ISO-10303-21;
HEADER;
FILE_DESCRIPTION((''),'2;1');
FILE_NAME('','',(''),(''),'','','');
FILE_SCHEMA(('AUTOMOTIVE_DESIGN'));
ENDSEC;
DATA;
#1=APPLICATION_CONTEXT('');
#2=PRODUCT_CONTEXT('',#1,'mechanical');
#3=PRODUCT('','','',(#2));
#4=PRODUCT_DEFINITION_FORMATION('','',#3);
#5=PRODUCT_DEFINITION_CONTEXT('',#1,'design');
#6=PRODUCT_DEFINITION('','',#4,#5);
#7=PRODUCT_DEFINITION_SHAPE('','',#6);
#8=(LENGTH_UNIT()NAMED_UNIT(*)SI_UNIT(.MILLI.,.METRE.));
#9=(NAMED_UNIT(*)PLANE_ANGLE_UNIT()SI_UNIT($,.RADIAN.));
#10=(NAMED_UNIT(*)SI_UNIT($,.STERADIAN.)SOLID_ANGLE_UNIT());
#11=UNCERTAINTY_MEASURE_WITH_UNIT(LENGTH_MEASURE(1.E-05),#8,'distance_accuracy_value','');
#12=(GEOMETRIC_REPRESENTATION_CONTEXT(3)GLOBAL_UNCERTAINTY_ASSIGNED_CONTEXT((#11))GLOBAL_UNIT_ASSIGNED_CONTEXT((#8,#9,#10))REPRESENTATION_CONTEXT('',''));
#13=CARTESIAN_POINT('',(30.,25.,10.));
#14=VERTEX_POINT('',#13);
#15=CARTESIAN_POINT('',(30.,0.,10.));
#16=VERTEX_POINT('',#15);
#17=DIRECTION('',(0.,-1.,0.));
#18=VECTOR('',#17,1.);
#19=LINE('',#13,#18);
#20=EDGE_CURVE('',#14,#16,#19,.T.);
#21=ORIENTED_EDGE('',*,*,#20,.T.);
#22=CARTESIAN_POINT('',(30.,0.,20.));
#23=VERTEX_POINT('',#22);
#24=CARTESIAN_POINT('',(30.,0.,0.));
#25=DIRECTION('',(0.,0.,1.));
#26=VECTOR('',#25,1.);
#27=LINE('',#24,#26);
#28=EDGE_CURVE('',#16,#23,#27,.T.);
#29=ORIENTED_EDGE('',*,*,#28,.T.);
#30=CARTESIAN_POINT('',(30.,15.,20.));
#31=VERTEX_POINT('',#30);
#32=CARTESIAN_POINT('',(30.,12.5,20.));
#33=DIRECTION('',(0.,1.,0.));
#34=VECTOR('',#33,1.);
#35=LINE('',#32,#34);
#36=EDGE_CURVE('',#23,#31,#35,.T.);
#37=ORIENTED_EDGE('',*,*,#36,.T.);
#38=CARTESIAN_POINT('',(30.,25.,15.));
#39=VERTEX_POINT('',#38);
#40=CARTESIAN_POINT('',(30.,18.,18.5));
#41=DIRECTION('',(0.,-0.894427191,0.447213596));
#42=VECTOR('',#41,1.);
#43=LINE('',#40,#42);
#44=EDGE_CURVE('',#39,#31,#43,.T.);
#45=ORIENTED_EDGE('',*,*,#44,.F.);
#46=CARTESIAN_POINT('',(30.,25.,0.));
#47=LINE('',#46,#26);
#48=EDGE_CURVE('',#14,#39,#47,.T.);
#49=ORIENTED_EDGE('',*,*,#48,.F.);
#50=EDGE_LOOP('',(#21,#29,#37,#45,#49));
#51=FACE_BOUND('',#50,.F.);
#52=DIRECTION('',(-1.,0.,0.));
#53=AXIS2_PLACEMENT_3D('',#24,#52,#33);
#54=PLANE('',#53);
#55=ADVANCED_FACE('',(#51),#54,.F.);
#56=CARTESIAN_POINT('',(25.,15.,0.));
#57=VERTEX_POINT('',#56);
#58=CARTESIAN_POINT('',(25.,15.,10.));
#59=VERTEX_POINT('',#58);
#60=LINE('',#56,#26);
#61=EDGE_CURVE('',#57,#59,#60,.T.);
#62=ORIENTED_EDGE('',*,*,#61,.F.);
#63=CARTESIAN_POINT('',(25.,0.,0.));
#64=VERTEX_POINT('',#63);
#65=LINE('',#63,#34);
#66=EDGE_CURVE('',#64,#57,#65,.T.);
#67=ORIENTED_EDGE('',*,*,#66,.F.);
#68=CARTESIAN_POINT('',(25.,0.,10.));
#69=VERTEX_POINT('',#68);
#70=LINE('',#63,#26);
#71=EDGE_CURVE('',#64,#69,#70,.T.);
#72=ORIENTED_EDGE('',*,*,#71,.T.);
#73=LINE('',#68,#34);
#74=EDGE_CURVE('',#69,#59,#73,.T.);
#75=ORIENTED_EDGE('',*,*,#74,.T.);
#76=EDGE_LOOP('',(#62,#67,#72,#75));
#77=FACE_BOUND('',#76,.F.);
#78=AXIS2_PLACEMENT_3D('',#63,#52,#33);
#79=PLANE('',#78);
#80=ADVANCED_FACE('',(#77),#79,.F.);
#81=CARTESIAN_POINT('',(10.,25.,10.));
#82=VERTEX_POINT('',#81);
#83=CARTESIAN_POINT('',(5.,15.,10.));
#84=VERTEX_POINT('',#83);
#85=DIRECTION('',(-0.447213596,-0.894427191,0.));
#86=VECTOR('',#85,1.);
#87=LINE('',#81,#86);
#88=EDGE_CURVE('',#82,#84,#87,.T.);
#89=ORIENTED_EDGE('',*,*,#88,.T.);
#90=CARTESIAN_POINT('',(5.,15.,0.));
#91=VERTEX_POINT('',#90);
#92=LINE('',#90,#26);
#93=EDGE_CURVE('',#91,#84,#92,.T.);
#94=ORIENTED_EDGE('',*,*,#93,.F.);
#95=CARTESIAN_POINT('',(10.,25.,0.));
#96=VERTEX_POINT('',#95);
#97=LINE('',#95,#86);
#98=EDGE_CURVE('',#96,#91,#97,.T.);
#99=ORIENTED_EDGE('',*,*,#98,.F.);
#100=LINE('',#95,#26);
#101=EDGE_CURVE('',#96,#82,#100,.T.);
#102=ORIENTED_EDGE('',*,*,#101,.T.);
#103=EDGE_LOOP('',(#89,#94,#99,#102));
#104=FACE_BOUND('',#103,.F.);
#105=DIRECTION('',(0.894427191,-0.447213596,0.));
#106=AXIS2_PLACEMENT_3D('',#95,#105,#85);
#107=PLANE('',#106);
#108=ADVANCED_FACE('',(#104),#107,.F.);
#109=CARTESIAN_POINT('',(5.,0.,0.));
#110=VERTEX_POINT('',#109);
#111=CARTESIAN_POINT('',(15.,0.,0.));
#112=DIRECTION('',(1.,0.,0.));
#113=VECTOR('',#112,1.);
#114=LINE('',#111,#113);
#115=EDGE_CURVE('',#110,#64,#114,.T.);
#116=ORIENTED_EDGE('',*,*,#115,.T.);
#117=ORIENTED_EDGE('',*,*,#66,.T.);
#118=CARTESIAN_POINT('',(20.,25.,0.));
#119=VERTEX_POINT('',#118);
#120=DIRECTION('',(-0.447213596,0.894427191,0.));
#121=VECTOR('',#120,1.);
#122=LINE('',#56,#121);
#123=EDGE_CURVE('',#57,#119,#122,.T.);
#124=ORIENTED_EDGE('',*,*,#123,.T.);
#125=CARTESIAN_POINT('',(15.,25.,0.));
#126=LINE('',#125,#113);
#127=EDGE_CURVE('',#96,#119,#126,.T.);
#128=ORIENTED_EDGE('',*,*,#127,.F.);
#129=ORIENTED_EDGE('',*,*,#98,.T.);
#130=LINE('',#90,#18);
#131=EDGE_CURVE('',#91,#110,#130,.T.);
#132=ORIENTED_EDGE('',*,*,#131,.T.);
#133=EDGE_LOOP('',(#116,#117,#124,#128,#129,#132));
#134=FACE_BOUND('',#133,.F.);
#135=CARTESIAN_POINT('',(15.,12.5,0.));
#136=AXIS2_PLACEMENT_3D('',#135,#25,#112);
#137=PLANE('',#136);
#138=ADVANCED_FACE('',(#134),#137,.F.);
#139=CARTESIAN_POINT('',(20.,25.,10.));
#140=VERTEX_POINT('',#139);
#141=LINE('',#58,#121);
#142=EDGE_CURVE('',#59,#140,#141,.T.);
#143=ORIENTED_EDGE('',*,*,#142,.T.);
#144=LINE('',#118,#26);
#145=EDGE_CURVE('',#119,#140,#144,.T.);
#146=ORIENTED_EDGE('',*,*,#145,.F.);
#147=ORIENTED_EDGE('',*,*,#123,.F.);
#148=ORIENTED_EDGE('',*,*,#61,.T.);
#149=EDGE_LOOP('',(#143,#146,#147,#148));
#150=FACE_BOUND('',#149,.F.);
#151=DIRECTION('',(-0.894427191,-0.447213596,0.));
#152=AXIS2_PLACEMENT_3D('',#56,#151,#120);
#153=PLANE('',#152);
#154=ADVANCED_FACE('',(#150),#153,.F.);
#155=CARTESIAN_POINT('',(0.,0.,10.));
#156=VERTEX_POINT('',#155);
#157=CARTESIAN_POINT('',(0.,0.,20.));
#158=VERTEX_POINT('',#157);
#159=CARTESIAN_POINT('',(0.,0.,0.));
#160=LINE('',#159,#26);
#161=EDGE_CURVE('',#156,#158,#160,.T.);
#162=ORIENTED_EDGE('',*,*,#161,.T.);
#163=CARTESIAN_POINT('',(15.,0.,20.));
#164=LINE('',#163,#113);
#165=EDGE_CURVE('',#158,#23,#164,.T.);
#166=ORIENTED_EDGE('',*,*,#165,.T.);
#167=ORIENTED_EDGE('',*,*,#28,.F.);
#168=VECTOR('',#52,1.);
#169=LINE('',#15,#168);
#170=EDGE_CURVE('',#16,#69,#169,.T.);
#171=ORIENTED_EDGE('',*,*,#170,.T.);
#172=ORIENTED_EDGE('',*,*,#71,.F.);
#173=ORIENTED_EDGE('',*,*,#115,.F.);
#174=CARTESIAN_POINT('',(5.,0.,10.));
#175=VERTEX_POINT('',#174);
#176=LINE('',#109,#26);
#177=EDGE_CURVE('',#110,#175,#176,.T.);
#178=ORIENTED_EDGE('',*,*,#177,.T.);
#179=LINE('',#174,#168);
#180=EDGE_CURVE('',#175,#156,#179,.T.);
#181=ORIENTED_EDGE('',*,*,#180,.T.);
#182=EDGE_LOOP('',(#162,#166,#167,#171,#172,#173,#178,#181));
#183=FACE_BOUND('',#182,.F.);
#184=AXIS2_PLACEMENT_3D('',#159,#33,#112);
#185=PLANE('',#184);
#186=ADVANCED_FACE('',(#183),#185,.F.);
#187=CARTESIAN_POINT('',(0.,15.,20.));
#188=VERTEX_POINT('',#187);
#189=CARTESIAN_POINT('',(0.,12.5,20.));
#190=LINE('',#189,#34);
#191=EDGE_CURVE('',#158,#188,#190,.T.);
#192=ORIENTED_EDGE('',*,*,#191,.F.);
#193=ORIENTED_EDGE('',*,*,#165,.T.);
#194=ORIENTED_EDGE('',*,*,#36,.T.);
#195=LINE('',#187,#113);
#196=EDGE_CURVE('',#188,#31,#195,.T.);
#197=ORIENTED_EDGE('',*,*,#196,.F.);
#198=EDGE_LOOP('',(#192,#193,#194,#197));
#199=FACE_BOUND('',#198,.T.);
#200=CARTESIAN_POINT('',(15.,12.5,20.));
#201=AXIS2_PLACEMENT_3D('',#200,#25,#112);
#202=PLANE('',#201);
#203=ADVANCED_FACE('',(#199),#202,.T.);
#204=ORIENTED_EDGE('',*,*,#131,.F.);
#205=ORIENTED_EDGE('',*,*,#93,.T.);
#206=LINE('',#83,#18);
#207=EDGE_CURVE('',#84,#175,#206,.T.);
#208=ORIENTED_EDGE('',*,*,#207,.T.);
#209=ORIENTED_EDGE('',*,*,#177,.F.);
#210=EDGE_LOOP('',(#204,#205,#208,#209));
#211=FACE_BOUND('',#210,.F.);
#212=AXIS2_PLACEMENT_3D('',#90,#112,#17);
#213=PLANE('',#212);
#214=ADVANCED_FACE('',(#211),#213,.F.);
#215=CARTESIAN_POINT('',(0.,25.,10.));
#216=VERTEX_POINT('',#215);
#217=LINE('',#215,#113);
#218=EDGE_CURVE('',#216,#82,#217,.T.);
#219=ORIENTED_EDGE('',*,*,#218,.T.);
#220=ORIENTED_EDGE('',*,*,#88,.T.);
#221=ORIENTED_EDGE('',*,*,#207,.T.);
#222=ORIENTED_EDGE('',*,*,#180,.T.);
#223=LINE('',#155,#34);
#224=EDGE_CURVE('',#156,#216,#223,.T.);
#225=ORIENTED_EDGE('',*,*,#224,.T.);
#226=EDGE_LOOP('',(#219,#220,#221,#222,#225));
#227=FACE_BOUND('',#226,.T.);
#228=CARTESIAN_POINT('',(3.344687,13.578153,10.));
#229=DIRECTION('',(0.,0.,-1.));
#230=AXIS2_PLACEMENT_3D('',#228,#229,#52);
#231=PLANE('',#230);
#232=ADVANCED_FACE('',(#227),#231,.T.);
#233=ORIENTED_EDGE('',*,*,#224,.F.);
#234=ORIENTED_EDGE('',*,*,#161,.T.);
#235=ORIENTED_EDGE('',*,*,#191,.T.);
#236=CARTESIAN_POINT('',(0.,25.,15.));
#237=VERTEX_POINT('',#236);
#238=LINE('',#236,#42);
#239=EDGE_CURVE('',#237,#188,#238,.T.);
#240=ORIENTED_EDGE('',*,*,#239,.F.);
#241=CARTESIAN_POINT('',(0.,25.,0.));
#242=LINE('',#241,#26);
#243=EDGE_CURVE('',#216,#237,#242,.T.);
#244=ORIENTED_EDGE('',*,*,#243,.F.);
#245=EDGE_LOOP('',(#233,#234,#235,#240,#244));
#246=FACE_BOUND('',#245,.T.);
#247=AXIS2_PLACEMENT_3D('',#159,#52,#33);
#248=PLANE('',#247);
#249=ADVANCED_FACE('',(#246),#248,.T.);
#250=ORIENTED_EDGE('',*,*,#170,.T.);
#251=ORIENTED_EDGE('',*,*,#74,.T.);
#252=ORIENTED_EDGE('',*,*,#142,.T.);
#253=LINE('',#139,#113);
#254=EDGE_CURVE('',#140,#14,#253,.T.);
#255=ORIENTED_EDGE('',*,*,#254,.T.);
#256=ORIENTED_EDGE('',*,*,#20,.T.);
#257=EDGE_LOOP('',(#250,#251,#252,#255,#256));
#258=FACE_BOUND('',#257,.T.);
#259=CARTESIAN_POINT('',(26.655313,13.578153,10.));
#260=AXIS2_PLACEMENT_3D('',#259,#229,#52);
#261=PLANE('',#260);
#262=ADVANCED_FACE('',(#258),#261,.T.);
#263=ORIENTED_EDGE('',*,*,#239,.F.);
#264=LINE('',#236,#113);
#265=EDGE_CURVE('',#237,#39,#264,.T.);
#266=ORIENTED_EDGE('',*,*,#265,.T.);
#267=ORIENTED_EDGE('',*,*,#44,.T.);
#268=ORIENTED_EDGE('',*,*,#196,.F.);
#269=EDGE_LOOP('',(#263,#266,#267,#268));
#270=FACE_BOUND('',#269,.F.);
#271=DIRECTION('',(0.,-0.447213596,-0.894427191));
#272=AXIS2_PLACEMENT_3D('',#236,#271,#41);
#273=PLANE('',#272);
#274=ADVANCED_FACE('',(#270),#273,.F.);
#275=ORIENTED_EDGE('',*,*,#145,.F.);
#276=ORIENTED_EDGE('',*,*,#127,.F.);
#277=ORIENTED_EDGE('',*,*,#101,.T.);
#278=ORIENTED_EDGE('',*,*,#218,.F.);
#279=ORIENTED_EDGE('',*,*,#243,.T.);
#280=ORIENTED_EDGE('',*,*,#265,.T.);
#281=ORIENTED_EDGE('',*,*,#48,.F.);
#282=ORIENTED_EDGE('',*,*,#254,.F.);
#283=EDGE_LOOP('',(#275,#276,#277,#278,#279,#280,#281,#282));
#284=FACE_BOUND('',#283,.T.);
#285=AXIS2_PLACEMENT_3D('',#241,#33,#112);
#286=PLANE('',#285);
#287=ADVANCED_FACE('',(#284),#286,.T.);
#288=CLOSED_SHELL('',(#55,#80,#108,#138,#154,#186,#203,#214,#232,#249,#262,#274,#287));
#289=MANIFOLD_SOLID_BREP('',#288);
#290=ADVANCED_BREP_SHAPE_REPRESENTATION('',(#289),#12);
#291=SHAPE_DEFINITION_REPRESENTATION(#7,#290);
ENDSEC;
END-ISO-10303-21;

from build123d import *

# Parameters (mm, degrees)
SKETCH1_W           = 30
SKETCH1_H           = 25
BOSS_EXTRUDE1_DEPTH = 20
CUT_EXTRUDE1_DEPTH  = 50
CUT_EXTRUDE2_DEPTH  = 10


with BuildPart() as part:
    # Sketch1 → Boss-Extrude1 (new body)
    with BuildSketch(Plane.XY):
        with Locations((15, 12.5)):
            Rectangle(SKETCH1_W, SKETCH1_H)
    extrude(amount=BOSS_EXTRUDE1_DEPTH)

    # Sketch2 → Cut-Extrude1 (cut)
    with BuildSketch(Plane.ZY):
        Polygon((15, 25), (20, 15), (20, 25), align=None)
    extrude(amount=-CUT_EXTRUDE1_DEPTH, mode=Mode.SUBTRACT)

    # Sketch3 → Cut-Extrude2 (cut)
    with BuildSketch(Plane(origin=(0, 0, 0), x_dir=(-1, 0, 0), z_dir=(0, 0, -1))):
        Polygon((-20, 25), (-30, 25), (-30, 0), (-25, 0), (-25, 15), align=None)
        Polygon((0, 25), (-10, 25), (-5, 15), (-5, 0), (0, 0), align=None)
    extrude(amount=-CUT_EXTRUDE2_DEPTH, mode=Mode.SUBTRACT)


solid = part.part
